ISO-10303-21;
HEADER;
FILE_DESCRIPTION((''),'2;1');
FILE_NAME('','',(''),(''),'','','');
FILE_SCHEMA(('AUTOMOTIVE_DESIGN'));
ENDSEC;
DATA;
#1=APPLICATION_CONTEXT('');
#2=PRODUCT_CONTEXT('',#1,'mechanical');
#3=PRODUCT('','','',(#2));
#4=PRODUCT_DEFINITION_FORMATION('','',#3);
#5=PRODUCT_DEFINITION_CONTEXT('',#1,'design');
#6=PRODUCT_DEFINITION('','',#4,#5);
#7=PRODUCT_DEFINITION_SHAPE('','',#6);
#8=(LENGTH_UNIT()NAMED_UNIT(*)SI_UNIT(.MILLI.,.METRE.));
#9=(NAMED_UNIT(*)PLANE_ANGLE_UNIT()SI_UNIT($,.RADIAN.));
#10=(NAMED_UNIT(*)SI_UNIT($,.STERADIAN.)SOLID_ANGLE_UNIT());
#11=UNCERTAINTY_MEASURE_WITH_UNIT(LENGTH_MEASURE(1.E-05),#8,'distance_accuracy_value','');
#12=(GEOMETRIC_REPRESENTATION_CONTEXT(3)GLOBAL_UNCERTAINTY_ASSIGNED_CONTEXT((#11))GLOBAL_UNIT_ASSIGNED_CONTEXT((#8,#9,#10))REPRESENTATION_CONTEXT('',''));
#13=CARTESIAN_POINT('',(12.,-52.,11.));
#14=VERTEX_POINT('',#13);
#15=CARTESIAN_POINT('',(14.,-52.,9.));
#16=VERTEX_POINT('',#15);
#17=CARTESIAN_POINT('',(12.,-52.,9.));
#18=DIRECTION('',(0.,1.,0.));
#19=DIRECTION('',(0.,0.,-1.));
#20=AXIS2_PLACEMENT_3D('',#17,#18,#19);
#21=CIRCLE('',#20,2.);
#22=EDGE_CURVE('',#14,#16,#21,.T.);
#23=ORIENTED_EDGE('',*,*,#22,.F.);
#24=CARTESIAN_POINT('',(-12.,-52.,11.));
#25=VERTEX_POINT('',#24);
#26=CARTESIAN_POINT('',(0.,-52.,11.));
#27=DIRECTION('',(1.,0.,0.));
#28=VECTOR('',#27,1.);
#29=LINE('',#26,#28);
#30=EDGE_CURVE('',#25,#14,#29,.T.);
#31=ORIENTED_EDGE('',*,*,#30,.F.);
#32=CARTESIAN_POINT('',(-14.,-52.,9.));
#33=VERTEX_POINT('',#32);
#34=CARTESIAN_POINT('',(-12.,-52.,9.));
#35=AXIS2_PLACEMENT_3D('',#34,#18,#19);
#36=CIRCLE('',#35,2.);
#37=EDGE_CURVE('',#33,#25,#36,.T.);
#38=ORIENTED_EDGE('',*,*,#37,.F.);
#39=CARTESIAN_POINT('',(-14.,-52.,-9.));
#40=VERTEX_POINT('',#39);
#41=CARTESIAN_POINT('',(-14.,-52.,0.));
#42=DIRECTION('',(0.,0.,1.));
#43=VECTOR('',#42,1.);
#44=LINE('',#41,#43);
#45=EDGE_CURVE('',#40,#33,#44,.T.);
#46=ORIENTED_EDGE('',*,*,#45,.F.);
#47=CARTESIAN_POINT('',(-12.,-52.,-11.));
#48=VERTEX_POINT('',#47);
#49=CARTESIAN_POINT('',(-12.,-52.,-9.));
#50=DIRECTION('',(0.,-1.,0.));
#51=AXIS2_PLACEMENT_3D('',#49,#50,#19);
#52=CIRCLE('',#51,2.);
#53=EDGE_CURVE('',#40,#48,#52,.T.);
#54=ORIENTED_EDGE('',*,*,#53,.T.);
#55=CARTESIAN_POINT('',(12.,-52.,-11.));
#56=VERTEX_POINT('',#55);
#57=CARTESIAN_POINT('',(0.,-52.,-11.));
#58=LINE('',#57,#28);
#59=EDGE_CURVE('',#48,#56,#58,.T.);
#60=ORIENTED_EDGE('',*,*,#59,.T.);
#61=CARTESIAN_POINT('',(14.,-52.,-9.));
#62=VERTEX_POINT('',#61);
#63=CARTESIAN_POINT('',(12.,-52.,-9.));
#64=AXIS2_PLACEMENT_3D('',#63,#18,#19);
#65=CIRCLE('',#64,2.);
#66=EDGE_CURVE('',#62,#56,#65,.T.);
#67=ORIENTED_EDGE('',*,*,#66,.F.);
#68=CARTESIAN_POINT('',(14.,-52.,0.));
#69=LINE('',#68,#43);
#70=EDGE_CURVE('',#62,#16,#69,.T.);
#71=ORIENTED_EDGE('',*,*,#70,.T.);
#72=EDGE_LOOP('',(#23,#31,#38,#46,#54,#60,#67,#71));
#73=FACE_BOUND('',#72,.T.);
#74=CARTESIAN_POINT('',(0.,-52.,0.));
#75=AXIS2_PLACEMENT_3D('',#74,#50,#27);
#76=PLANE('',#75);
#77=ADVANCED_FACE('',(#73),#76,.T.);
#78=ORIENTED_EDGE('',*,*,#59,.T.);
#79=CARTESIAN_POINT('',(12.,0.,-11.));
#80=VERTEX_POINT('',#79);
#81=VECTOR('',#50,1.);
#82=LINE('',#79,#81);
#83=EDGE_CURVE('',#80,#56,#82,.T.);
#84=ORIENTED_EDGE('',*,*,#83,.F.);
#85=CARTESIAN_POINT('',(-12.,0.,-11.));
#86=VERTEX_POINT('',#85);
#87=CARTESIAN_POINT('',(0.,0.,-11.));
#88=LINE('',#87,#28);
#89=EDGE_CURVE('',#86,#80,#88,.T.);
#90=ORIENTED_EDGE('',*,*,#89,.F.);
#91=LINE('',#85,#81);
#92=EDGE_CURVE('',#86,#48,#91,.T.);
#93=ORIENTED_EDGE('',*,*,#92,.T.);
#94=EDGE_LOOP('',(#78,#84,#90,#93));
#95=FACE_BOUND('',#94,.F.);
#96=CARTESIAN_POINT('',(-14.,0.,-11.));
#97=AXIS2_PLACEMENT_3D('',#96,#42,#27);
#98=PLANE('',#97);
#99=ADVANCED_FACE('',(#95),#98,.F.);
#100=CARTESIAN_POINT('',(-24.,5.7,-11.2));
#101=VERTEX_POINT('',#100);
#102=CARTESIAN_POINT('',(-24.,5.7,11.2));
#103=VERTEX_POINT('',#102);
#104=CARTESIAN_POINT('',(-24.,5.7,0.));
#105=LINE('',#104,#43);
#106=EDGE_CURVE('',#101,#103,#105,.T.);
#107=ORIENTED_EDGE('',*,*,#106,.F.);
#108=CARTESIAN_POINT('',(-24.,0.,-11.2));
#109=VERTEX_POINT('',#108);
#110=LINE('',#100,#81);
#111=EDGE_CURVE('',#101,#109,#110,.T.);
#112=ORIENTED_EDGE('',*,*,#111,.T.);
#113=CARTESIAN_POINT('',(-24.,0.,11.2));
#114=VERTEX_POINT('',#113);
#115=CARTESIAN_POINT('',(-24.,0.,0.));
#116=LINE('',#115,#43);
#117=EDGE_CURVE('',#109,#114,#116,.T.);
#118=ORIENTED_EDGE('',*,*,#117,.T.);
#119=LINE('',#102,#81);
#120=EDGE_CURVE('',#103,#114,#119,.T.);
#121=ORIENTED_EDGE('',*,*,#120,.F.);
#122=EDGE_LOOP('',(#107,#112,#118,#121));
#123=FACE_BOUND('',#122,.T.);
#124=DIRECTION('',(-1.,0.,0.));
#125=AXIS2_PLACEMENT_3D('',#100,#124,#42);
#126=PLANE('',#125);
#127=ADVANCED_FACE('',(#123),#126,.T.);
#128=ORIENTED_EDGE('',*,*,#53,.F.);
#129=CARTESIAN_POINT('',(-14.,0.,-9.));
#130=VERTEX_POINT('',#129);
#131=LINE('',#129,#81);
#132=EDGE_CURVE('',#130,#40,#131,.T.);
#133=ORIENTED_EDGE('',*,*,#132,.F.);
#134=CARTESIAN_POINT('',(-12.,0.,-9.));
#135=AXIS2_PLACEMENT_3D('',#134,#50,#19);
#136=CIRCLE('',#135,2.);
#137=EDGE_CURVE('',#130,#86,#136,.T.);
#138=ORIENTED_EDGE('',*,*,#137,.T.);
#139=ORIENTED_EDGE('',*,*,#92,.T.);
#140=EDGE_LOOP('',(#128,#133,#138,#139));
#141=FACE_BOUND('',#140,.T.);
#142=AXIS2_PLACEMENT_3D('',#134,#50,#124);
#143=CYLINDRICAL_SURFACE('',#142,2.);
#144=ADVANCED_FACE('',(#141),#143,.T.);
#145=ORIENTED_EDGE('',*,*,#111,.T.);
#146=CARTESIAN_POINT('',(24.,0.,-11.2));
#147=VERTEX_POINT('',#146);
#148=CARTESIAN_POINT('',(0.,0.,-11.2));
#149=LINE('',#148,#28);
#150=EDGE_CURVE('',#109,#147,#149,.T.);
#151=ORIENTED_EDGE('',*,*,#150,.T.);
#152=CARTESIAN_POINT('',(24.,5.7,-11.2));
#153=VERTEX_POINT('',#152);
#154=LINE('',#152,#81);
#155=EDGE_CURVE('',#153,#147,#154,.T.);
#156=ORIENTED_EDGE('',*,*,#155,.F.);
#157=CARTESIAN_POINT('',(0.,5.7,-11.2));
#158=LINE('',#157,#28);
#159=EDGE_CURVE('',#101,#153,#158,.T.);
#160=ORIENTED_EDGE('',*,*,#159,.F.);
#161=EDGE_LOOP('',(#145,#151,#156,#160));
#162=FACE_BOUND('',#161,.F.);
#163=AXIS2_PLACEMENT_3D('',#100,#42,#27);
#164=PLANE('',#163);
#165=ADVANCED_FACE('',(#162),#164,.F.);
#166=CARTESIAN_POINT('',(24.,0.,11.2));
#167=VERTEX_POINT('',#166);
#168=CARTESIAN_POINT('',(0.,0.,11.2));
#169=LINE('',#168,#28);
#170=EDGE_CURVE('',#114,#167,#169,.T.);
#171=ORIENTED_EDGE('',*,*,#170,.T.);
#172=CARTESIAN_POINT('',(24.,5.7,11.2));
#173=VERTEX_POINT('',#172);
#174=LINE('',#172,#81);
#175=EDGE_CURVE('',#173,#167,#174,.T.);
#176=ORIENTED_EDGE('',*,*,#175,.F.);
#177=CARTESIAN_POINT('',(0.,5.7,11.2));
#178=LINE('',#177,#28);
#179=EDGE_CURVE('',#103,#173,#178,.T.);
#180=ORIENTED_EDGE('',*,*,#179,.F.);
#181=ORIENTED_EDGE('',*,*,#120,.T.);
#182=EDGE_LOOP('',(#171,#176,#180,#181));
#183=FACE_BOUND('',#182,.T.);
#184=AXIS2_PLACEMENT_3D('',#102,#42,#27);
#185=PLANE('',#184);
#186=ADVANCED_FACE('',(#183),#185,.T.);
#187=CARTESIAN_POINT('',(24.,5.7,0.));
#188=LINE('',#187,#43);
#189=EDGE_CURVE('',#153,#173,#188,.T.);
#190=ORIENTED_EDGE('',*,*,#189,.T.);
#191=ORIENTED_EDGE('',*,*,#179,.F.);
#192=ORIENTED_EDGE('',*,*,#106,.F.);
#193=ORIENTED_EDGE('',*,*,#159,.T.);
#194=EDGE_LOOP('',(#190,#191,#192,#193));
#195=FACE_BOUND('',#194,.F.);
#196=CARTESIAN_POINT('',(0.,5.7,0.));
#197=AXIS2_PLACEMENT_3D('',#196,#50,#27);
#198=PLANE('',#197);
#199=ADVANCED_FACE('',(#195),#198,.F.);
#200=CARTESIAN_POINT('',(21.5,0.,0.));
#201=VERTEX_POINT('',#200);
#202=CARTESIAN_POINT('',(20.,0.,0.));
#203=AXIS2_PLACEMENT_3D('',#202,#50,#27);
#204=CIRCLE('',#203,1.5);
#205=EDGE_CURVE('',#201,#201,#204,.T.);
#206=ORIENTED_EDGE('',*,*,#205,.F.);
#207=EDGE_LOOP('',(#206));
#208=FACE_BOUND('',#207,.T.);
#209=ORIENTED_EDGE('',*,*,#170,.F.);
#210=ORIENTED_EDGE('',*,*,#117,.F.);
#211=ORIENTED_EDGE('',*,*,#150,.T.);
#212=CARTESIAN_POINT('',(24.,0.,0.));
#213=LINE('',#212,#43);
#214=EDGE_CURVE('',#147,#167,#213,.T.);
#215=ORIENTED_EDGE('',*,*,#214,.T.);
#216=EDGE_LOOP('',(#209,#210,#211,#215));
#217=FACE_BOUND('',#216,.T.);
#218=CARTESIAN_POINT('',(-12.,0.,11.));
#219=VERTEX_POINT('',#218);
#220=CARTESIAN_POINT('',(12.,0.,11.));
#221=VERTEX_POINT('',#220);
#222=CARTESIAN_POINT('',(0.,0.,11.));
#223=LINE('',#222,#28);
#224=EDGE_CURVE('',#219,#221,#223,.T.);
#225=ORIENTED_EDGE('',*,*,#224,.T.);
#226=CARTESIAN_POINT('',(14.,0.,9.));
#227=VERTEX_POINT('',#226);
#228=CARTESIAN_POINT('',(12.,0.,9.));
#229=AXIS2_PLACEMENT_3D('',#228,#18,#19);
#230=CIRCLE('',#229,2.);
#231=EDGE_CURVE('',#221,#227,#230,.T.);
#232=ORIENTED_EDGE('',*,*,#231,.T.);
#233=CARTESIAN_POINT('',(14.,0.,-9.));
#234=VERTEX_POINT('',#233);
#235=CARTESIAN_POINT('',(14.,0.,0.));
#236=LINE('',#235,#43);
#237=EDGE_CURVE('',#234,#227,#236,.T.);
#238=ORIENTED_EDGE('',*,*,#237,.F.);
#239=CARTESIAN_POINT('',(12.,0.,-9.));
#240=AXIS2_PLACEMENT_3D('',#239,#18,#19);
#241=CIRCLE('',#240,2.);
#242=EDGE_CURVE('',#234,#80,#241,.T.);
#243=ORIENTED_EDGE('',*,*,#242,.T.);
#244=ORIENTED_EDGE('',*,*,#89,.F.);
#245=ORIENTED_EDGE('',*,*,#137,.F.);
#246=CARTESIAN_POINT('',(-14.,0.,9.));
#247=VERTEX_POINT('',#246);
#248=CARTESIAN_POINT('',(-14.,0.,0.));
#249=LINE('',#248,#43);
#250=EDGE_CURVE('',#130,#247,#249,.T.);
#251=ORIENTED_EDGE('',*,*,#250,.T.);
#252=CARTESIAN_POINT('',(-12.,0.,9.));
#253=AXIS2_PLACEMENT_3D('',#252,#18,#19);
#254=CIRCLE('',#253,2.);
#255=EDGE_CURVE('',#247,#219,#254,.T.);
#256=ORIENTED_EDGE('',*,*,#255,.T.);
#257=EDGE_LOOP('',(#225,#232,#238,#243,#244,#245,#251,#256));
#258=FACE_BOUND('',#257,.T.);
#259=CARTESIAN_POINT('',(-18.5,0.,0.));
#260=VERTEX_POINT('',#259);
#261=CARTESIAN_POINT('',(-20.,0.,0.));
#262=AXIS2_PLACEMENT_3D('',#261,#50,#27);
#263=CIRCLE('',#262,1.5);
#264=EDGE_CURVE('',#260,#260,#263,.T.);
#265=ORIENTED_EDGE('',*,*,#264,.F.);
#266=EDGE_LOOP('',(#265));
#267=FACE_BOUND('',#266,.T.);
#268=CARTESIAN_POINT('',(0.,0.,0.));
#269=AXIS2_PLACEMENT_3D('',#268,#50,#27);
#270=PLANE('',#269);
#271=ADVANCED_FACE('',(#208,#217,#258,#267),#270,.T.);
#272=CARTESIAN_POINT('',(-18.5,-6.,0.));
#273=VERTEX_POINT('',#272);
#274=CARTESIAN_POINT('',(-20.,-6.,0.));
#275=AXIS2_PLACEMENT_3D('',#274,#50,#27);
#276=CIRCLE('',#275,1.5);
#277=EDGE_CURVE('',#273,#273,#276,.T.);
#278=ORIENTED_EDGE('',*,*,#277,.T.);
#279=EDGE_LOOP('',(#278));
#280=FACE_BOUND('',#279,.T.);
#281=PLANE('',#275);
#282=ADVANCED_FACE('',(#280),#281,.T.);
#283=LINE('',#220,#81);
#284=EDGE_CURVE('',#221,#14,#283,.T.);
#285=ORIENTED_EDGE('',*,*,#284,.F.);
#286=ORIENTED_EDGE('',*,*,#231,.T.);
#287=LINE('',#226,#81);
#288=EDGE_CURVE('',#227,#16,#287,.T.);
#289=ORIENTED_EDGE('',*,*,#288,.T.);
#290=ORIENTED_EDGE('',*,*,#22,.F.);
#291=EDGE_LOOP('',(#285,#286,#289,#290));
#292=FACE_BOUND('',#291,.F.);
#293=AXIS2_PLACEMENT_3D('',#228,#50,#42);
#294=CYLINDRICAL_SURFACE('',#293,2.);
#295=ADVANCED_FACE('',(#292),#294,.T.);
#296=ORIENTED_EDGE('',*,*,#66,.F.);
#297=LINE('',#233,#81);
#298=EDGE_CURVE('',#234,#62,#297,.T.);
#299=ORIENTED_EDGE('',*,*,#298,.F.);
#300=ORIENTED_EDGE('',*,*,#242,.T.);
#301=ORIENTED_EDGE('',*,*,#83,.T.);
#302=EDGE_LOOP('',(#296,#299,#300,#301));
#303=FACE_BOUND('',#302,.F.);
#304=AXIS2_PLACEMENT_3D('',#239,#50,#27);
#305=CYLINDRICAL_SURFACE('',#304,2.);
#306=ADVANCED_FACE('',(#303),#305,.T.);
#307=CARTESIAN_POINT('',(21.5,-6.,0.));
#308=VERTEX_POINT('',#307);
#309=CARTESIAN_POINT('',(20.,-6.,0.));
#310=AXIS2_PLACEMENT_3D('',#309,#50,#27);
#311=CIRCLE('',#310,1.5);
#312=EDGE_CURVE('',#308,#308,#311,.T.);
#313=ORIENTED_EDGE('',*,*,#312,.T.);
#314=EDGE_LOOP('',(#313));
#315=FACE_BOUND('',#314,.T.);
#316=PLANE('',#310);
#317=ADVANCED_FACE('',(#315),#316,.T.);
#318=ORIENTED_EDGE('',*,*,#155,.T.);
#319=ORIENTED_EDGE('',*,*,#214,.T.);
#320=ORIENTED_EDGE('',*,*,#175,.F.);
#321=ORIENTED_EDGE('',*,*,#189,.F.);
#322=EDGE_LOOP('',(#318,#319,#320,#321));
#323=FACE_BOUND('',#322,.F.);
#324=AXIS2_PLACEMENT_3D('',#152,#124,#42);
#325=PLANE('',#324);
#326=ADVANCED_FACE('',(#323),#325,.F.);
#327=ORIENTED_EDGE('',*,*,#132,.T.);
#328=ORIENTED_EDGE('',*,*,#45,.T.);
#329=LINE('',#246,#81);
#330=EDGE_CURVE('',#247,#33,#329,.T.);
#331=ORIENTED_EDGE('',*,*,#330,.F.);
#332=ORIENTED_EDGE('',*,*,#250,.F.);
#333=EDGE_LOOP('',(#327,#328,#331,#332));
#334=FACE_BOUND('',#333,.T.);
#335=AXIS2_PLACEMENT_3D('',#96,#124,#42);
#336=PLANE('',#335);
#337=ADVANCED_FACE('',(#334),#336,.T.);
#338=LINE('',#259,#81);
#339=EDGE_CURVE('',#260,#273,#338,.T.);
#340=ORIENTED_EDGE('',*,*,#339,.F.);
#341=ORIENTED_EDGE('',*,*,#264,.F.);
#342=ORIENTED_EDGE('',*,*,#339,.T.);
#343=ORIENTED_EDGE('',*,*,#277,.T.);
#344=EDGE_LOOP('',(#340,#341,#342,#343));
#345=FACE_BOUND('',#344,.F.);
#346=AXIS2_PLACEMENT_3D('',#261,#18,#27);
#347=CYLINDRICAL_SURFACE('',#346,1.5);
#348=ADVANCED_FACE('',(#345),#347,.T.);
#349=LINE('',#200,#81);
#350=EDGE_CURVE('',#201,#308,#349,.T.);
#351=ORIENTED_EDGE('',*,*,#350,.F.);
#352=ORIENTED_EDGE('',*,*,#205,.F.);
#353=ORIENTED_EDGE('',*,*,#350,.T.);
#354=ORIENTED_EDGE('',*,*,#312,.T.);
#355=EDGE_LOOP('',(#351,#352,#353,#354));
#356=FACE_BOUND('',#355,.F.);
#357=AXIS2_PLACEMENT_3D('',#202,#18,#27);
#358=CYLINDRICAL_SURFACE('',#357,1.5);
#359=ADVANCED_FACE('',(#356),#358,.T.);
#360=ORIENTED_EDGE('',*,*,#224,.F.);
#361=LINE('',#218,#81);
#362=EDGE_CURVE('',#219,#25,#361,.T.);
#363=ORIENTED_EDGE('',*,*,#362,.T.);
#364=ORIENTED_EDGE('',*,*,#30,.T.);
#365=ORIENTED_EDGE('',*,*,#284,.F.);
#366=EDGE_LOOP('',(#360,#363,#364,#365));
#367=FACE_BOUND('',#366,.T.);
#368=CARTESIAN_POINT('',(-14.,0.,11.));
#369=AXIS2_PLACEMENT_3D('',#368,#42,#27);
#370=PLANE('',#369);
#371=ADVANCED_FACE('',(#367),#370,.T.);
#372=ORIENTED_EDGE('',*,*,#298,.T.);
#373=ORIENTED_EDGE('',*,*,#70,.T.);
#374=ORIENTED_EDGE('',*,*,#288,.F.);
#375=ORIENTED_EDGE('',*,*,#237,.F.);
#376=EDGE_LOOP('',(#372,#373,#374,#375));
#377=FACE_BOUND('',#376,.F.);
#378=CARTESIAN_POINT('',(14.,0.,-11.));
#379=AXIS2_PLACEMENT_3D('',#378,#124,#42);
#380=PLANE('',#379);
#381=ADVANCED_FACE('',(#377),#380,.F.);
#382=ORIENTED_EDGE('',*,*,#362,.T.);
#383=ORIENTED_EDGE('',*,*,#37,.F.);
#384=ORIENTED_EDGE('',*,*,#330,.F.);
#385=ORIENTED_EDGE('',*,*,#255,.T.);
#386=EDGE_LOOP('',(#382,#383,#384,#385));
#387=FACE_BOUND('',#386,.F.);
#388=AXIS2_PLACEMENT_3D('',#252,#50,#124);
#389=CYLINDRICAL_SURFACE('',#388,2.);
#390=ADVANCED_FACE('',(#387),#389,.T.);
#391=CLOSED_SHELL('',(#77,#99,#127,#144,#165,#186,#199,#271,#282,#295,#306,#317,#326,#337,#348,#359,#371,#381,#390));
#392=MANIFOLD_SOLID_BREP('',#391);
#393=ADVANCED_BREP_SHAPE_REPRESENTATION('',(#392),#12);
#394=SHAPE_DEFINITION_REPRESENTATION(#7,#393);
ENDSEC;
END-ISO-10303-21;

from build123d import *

# Parameters (mm, degrees)
SKETCH_W          = 28
SKETCH_H          = 22
PAD_DEPTH         = 52
FILLET_R          = 2
FILLET001_R       = 2
FILLET002_R       = 2
FILLET003_R       = 2
BOX_W             = 48
BOX_H             = 22.4
BOX_DEPTH         = 5.7
CYLINDER_R        = 1.5
CYLINDER_DEPTH    = 6
CYLINDER001_R     = 1.5
CYLINDER001_DEPTH = 6


with BuildPart() as part:
    # Sketch → Pad (new body)
    with BuildSketch(Plane.XZ):
        Rectangle(SKETCH_W, SKETCH_H)
    extrude(amount=PAD_DEPTH)

    # Fillet
    fillet_edges = [part.edges().sort_by_distance(p)[0] for p in [
        (-14, -26, 11),
    ]]
    fillet(fillet_edges, radius=FILLET_R)

    # Fillet001
    fillet001_edges = [part.edges().sort_by_distance(p)[0] for p in [
        (-14, -26, -11),
    ]]
    fillet(fillet001_edges, radius=FILLET001_R)

    # Fillet002
    fillet002_edges = [part.edges().sort_by_distance(p)[0] for p in [
        (14, -26, 11),
    ]]
    fillet(fillet002_edges, radius=FILLET002_R)

    # Fillet003
    fillet003_edges = [part.edges().sort_by_distance(p)[0] for p in [
        (14, -26, -11),
    ]]
    fillet(fillet003_edges, radius=FILLET003_R)

    # Box → Box (join)
    with BuildSketch(Plane(origin=(-24, 5.7, -11.2), x_dir=(1, 0, 0), z_dir=(0, -1, 0))):
        with Locations((24, 11.2)):
            Rectangle(BOX_W, BOX_H)
    extrude(amount=BOX_DEPTH)

    # Cylinder → Cylinder (join)
    with BuildSketch(Plane(origin=(-20, 0, 0), x_dir=(1, 0, 0), z_dir=(0, -1, 0))):
        Circle(CYLINDER_R)
    extrude(amount=CYLINDER_DEPTH)

    # Cylinder001 → Cylinder001 (join)
    with BuildSketch(Plane(origin=(20, 0, 0), x_dir=(1, 0, 0), z_dir=(0, -1, 0))):
        Circle(CYLINDER001_R)
    extrude(amount=CYLINDER001_DEPTH)


solid = part.part
